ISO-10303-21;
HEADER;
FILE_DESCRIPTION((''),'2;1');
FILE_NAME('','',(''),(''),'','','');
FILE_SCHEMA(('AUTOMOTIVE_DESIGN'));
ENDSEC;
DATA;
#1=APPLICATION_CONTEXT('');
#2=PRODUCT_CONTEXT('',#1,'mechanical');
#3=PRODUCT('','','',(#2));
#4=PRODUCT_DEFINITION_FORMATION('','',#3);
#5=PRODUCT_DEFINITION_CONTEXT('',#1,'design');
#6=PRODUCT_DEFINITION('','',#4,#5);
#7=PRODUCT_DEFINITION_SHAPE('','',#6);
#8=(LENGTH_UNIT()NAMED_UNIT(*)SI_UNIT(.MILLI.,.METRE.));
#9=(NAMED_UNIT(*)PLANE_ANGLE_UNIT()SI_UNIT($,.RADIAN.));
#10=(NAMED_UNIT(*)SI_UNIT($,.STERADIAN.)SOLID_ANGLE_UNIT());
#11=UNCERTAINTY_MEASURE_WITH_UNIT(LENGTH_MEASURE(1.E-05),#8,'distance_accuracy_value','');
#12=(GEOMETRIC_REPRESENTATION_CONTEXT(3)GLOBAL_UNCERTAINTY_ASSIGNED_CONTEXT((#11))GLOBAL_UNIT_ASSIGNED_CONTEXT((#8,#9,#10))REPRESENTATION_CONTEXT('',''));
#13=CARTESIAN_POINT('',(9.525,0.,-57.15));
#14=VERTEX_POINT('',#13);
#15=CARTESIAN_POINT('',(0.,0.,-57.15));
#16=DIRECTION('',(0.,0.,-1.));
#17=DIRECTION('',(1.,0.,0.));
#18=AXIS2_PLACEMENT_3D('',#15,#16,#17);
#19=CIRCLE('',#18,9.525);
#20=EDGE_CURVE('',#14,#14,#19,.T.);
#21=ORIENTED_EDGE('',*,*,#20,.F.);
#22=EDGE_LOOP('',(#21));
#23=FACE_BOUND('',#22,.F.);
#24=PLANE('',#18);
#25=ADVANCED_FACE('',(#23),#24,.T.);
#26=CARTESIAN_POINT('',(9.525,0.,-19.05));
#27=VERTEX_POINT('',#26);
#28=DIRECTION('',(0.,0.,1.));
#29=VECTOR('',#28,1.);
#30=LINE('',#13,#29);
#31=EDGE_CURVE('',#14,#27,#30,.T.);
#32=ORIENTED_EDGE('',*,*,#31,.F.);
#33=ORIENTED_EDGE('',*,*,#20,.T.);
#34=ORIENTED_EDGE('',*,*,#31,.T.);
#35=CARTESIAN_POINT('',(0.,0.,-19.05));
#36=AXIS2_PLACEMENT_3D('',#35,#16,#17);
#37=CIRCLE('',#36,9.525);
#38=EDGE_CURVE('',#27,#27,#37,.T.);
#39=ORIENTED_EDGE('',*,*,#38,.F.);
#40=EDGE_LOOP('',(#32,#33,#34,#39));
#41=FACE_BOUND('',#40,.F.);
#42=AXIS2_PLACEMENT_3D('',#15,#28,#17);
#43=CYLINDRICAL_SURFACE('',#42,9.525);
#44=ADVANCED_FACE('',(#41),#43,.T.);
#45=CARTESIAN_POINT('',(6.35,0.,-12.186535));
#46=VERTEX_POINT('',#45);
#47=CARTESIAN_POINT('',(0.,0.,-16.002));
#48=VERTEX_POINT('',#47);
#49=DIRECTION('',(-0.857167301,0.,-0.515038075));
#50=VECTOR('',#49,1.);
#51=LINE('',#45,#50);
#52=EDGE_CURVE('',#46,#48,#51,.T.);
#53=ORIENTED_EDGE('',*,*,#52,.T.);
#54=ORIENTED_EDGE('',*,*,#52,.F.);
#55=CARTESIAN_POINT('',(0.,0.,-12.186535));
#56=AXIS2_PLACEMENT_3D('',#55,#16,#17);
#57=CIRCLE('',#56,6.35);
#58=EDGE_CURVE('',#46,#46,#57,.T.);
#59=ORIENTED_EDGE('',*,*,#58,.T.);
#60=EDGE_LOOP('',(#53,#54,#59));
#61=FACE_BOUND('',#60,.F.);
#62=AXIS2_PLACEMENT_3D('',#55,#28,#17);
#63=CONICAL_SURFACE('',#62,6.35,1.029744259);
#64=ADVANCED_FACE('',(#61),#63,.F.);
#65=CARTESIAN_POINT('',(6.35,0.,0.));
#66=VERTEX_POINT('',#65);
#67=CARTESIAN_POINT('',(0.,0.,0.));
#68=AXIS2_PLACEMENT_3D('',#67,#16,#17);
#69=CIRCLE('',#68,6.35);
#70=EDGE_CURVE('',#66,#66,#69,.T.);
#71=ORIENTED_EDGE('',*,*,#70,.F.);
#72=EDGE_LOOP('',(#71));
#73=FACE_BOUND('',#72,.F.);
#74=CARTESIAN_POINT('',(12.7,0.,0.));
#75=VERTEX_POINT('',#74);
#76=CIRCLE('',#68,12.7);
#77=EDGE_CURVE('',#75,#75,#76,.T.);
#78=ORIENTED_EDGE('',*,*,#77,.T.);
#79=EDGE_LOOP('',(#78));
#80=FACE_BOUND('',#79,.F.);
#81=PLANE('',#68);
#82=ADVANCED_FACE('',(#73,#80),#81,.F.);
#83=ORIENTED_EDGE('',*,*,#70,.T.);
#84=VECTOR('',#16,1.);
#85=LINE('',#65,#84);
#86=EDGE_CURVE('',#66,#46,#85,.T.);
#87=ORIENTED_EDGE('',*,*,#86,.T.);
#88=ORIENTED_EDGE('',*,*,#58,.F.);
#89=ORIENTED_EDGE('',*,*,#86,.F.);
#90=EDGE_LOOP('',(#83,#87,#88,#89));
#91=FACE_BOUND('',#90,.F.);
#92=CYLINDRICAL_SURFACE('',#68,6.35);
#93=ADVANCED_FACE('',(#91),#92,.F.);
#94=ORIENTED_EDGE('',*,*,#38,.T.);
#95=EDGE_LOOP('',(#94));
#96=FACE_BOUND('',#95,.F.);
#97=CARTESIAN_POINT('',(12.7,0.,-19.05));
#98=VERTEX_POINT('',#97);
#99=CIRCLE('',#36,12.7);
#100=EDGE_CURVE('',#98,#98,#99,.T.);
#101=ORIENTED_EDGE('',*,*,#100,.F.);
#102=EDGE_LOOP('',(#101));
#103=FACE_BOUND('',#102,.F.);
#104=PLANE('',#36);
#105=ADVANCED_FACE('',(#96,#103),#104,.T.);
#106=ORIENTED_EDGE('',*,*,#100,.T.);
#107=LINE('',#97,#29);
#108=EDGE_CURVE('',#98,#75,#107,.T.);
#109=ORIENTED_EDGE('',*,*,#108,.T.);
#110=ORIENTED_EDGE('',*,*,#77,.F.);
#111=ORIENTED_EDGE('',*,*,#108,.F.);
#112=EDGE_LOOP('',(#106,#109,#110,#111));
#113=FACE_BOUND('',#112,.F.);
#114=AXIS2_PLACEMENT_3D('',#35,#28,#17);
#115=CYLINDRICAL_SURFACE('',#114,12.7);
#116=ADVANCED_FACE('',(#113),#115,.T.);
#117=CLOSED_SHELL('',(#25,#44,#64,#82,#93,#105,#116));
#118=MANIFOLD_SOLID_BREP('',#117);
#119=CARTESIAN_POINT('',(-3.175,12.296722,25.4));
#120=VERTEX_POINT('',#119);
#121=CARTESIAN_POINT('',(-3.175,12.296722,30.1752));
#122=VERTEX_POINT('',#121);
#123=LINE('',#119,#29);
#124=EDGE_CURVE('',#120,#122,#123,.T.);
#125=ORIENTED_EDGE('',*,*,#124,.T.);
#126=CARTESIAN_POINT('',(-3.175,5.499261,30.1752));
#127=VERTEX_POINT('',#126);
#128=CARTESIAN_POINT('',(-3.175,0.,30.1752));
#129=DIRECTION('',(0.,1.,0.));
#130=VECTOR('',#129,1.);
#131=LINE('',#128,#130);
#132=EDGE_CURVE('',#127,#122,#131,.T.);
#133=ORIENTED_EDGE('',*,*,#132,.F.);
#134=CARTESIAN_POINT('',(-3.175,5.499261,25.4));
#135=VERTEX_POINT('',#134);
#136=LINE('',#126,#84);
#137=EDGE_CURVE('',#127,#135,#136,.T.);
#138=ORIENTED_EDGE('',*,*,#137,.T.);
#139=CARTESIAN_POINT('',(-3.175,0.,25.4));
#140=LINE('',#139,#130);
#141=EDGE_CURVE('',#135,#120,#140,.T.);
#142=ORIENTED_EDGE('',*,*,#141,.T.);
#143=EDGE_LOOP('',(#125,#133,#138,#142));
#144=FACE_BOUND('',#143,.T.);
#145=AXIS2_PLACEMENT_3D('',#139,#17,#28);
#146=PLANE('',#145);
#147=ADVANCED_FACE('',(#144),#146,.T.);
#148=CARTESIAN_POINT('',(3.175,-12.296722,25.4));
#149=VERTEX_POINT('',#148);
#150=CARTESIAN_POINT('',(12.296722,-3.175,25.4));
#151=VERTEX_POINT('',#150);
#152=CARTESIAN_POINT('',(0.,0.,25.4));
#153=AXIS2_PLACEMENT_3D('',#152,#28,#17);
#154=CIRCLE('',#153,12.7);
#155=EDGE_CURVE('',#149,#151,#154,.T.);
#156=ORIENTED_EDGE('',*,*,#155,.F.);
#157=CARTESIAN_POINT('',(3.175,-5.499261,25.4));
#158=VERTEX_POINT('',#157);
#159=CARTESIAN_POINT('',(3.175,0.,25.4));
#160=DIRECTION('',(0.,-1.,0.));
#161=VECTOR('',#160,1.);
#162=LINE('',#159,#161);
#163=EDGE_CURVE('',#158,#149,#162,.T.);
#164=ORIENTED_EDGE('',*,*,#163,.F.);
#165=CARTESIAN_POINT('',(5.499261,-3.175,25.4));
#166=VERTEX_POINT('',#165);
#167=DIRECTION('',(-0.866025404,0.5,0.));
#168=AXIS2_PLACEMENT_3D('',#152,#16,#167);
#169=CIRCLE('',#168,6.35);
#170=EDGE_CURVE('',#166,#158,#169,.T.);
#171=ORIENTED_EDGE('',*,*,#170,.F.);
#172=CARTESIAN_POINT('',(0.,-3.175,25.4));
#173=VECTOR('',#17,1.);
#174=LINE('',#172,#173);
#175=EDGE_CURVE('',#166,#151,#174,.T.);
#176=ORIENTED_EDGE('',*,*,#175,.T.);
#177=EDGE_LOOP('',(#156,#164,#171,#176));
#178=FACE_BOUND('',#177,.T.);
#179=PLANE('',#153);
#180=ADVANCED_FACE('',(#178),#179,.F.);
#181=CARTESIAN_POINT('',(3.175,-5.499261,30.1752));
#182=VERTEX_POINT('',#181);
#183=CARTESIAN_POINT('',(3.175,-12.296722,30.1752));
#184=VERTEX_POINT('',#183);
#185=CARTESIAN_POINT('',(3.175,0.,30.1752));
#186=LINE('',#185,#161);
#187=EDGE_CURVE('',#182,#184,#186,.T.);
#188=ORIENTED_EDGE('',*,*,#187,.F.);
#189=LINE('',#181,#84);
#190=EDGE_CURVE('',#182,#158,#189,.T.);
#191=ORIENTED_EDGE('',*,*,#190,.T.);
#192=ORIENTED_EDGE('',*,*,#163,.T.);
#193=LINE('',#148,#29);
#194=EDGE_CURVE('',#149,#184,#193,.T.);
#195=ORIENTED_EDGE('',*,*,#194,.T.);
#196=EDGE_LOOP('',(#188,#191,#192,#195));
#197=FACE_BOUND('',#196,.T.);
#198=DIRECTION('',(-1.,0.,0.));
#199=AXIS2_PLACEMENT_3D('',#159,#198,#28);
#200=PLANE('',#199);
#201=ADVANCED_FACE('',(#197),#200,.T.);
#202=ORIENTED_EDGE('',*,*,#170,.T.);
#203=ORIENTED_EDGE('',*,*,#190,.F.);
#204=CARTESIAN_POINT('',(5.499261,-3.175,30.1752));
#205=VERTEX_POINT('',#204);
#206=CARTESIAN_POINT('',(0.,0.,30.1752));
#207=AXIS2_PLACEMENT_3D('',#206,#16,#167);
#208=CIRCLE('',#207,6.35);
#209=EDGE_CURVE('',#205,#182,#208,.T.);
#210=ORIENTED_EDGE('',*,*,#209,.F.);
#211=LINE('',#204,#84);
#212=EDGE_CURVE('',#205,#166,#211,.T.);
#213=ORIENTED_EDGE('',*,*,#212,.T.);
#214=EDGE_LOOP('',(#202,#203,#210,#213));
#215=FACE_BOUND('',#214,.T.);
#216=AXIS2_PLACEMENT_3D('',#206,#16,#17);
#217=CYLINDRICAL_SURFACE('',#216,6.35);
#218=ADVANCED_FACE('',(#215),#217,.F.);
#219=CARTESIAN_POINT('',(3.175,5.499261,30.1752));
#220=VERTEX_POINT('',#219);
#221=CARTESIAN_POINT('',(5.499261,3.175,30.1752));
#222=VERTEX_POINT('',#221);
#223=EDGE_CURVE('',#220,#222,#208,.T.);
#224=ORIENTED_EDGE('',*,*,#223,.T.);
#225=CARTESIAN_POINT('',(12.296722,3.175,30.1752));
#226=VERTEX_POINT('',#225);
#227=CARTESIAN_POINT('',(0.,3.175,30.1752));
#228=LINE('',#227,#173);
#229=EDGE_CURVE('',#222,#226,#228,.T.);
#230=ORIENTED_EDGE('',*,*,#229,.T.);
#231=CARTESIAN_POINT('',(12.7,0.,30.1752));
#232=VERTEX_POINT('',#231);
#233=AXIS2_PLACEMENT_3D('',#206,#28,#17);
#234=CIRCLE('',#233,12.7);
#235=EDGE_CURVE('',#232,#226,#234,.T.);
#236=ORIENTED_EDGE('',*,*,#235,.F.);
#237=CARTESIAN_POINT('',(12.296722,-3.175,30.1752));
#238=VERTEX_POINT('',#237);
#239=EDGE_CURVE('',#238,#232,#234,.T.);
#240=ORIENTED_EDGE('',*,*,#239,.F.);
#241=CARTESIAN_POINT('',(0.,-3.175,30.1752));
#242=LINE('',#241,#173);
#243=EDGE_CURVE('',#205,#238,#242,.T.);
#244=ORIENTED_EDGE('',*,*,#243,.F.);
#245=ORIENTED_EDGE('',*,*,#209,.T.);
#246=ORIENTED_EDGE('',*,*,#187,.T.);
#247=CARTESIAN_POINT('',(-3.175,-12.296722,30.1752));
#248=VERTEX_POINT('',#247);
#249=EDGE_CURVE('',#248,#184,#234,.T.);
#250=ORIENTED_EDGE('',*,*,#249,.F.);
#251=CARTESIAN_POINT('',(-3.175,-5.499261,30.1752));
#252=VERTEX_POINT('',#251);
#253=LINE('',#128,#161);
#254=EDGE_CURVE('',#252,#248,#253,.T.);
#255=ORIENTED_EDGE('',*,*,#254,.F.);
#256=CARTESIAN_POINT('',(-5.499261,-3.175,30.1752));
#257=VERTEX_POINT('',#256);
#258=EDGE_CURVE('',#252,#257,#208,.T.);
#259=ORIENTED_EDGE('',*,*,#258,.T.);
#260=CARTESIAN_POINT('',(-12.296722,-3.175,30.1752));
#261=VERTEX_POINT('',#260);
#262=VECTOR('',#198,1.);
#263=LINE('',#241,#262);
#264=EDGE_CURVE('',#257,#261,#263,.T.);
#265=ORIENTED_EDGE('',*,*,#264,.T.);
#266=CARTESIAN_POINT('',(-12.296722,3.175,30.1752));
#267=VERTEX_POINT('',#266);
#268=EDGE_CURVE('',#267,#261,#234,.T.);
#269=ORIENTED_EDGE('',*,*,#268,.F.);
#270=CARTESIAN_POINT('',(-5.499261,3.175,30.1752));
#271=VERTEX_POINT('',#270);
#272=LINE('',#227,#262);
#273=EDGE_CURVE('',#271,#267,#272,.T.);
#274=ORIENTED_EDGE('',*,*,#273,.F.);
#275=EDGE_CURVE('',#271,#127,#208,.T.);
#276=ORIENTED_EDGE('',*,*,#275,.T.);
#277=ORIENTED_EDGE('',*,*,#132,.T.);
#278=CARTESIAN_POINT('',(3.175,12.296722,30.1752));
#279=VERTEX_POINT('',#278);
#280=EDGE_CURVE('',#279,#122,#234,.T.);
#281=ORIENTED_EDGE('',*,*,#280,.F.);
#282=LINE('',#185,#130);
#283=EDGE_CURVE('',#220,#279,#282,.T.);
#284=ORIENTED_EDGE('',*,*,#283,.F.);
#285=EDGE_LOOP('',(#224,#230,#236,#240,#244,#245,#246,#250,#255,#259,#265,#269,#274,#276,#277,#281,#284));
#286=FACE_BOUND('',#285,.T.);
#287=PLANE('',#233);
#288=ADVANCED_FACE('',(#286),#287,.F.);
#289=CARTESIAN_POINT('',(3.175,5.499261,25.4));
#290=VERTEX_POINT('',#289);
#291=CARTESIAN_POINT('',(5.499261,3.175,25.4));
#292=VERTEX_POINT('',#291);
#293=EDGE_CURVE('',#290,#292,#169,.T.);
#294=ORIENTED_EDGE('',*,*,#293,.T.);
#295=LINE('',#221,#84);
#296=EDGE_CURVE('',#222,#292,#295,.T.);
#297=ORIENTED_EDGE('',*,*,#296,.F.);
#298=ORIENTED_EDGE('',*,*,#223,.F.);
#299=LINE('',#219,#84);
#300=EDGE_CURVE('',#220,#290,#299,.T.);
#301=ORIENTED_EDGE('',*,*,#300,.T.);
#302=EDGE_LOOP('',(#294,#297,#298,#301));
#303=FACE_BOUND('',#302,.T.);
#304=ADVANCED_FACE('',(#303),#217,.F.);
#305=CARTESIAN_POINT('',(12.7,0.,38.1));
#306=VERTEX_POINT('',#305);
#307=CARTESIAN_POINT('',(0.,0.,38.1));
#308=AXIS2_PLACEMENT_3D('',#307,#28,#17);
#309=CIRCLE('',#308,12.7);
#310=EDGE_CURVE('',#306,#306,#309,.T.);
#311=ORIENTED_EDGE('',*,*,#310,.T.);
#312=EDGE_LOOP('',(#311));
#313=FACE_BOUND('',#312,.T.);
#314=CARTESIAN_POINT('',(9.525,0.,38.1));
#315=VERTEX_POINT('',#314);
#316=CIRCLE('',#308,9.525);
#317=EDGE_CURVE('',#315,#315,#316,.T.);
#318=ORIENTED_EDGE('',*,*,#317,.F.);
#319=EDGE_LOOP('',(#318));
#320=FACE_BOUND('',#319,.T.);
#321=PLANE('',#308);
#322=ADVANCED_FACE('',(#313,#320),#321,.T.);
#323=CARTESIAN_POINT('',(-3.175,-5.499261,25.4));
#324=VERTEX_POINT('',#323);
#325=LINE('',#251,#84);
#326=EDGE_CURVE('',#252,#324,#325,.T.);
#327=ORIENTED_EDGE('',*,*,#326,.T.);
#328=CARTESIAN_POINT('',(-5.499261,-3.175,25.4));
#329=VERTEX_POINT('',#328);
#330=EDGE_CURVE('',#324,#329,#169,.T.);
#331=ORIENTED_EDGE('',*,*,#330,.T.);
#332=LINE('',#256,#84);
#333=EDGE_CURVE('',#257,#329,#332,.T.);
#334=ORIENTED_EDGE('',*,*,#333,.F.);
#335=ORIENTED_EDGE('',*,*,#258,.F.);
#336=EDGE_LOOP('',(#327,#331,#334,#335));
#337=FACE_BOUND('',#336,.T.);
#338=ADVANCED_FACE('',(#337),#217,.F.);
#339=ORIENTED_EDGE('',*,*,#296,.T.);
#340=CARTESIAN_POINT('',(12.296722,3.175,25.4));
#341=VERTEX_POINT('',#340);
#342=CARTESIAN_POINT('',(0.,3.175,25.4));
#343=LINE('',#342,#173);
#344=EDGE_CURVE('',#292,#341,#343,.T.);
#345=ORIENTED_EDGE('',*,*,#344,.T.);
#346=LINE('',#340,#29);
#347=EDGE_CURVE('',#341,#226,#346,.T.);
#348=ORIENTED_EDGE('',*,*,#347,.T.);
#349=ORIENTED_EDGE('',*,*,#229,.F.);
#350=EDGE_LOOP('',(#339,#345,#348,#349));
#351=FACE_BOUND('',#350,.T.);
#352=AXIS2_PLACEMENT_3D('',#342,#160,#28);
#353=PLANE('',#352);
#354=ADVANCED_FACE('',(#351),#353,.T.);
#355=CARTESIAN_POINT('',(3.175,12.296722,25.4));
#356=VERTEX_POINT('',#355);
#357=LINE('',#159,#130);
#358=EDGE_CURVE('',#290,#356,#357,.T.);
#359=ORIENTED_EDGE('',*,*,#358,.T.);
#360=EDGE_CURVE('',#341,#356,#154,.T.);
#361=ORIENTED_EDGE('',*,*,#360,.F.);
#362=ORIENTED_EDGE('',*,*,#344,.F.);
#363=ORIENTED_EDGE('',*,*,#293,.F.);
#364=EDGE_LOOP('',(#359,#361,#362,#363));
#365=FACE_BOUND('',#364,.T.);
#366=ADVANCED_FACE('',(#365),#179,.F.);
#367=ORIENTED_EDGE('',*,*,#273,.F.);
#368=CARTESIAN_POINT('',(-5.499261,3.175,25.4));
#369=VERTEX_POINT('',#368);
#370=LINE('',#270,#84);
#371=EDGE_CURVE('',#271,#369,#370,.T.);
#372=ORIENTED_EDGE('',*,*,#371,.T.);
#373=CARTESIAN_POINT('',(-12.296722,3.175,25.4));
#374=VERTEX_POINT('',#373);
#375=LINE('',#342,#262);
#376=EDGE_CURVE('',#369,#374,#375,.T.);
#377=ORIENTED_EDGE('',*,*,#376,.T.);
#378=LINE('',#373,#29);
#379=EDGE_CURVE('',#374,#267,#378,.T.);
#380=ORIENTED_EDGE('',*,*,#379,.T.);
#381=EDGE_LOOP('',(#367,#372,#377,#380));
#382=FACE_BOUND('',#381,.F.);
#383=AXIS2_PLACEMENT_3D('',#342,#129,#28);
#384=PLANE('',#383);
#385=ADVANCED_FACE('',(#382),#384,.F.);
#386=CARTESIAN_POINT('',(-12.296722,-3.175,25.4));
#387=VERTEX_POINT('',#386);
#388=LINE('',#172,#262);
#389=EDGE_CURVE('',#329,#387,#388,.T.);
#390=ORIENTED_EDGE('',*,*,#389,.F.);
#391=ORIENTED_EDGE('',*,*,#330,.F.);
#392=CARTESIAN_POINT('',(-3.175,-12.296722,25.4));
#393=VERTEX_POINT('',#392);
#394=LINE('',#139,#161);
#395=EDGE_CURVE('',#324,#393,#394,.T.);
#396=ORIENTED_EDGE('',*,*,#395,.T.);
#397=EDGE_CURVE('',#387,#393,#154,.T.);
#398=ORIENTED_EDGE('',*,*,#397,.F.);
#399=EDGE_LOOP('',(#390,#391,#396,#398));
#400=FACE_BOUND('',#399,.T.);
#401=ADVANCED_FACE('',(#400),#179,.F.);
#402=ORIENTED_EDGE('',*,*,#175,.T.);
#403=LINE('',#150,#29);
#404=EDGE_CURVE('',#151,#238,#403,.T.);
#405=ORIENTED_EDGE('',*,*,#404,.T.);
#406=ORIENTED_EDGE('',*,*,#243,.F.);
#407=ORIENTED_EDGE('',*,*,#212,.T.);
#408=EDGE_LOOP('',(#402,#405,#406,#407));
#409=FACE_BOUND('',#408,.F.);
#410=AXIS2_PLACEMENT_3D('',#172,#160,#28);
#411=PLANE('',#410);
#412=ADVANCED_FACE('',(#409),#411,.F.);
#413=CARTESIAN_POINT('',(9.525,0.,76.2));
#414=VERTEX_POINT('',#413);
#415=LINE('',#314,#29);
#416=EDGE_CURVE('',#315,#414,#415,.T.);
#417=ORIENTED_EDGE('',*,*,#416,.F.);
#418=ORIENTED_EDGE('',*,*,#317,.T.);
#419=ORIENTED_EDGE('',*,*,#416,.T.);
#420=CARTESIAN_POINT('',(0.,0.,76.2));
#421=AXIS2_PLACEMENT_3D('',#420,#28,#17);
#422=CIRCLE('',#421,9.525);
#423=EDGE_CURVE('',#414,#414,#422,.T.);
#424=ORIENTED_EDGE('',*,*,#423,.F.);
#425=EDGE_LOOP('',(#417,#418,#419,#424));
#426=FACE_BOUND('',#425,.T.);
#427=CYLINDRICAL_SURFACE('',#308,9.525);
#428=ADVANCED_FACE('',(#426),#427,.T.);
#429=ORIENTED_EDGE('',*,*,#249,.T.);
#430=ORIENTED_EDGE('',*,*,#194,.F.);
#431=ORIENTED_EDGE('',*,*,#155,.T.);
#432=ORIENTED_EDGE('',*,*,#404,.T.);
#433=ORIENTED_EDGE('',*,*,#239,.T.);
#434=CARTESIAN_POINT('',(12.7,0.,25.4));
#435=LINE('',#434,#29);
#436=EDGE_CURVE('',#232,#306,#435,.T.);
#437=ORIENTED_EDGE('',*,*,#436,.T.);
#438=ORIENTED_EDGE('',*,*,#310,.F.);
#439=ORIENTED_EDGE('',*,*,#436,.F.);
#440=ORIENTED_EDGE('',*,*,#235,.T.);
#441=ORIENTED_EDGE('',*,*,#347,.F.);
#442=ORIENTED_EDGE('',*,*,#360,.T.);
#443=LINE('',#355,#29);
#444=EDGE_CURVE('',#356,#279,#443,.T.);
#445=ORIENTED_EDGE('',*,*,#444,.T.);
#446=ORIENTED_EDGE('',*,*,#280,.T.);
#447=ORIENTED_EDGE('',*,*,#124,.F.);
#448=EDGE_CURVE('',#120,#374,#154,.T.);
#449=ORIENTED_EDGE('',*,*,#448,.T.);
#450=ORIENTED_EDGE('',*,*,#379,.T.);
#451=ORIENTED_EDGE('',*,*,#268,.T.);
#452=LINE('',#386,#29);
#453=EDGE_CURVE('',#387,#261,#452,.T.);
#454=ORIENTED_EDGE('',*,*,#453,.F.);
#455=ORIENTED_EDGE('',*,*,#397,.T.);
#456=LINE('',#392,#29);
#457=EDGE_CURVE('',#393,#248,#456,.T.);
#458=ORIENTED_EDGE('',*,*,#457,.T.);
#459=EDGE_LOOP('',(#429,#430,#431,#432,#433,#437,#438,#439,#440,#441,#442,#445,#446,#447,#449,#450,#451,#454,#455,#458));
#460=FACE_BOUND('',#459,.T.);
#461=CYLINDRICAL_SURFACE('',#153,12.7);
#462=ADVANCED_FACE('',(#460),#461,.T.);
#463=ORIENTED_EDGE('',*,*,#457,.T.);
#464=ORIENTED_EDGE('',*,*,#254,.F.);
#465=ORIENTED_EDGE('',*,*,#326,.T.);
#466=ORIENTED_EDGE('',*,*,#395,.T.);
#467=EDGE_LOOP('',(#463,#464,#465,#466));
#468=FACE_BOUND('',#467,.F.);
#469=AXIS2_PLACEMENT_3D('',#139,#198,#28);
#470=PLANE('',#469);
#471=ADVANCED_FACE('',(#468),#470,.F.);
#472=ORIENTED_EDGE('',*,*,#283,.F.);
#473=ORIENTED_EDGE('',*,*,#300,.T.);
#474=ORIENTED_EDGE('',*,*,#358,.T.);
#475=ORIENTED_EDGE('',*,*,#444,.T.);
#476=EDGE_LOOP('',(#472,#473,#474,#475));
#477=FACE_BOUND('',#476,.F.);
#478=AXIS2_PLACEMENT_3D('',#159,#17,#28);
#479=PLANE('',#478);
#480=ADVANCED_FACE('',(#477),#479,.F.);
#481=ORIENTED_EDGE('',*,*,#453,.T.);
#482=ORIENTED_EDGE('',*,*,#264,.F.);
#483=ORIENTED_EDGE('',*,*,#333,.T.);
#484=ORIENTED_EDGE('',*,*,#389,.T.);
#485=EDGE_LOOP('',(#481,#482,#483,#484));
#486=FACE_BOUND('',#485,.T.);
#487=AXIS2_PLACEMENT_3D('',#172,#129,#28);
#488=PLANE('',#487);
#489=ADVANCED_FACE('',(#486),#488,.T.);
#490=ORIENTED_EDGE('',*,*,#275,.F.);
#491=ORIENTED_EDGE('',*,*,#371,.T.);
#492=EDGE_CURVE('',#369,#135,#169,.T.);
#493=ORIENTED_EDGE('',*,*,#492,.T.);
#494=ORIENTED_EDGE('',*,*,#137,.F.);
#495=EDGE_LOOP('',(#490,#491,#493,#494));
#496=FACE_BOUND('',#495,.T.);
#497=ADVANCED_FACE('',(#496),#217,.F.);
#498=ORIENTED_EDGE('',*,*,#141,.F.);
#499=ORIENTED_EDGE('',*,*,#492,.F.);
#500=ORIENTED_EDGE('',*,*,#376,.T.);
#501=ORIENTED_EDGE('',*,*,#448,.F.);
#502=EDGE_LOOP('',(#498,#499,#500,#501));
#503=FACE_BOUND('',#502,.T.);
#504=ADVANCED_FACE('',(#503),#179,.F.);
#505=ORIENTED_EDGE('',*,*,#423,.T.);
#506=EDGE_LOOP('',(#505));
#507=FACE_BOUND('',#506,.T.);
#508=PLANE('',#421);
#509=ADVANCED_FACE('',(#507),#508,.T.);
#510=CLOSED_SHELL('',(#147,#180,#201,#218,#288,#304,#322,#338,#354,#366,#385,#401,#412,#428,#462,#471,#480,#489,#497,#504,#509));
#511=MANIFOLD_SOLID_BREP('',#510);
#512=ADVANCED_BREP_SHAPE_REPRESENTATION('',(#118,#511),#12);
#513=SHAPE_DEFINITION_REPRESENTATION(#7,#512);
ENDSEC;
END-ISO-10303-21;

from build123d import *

# Parameters (mm, degrees)
F4_W          = 6.35
F4_H          = 4.7752
F5_DEPTH      = 12.701
F5_DEPTH_BACK = 12.701
F6_W          = 6.35
F6_H          = 4.7752
F7_DEPTH      = 12.701
F7_DEPTH_BACK = 12.701


with BuildPart() as f1:
    # F0 (on Front) → F1 (revolve)
    with BuildSketch(Plane.XZ):
        Polygon((12.7, 0), (6.35, 0), (6.35, -12.1865350692), (0, -16.002), (0, -57.15), (9.525, -57.15), (9.525, -19.05), (12.7, -19.05), align=None)
    revolve(axis=Axis((0, 0, 23.685501908), (0, 0, -1)))


with BuildPart() as f3:
    # F2 (on Front) → F3 (revolve)
    with BuildSketch(Plane.XZ):
        Polygon((0, 76.2), (0, 30.1752), (6.35, 30.1752), (6.35, 25.4), (12.7, 25.4), (12.7, 38.1), (9.525, 38.1), (9.525, 76.2), align=None)
    revolve(axis=Axis((0, 0, 23.4449315517), (0, 0, 1)))

    # F4 (on Right) → F5 (cut, two sides)
    with BuildSketch(Plane.YZ) as f5_sk:
        with Locations((0, 27.7876)):
            Rectangle(F4_W, F4_H)
    extrude(amount=-F5_DEPTH, mode=Mode.SUBTRACT)
    extrude(f5_sk.sketch, amount=F5_DEPTH_BACK, mode=Mode.SUBTRACT)

    # F6 (on Front) → F7 (cut, two sides)
    with BuildSketch(Plane.XZ) as f7_sk:
        with Locations((0, 27.7876)):
            Rectangle(F6_W, F6_H)
    extrude(amount=F7_DEPTH, mode=Mode.SUBTRACT)
    extrude(f7_sk.sketch, amount=-F7_DEPTH_BACK, mode=Mode.SUBTRACT)


solid = Compound([f1.part, f3.part])
